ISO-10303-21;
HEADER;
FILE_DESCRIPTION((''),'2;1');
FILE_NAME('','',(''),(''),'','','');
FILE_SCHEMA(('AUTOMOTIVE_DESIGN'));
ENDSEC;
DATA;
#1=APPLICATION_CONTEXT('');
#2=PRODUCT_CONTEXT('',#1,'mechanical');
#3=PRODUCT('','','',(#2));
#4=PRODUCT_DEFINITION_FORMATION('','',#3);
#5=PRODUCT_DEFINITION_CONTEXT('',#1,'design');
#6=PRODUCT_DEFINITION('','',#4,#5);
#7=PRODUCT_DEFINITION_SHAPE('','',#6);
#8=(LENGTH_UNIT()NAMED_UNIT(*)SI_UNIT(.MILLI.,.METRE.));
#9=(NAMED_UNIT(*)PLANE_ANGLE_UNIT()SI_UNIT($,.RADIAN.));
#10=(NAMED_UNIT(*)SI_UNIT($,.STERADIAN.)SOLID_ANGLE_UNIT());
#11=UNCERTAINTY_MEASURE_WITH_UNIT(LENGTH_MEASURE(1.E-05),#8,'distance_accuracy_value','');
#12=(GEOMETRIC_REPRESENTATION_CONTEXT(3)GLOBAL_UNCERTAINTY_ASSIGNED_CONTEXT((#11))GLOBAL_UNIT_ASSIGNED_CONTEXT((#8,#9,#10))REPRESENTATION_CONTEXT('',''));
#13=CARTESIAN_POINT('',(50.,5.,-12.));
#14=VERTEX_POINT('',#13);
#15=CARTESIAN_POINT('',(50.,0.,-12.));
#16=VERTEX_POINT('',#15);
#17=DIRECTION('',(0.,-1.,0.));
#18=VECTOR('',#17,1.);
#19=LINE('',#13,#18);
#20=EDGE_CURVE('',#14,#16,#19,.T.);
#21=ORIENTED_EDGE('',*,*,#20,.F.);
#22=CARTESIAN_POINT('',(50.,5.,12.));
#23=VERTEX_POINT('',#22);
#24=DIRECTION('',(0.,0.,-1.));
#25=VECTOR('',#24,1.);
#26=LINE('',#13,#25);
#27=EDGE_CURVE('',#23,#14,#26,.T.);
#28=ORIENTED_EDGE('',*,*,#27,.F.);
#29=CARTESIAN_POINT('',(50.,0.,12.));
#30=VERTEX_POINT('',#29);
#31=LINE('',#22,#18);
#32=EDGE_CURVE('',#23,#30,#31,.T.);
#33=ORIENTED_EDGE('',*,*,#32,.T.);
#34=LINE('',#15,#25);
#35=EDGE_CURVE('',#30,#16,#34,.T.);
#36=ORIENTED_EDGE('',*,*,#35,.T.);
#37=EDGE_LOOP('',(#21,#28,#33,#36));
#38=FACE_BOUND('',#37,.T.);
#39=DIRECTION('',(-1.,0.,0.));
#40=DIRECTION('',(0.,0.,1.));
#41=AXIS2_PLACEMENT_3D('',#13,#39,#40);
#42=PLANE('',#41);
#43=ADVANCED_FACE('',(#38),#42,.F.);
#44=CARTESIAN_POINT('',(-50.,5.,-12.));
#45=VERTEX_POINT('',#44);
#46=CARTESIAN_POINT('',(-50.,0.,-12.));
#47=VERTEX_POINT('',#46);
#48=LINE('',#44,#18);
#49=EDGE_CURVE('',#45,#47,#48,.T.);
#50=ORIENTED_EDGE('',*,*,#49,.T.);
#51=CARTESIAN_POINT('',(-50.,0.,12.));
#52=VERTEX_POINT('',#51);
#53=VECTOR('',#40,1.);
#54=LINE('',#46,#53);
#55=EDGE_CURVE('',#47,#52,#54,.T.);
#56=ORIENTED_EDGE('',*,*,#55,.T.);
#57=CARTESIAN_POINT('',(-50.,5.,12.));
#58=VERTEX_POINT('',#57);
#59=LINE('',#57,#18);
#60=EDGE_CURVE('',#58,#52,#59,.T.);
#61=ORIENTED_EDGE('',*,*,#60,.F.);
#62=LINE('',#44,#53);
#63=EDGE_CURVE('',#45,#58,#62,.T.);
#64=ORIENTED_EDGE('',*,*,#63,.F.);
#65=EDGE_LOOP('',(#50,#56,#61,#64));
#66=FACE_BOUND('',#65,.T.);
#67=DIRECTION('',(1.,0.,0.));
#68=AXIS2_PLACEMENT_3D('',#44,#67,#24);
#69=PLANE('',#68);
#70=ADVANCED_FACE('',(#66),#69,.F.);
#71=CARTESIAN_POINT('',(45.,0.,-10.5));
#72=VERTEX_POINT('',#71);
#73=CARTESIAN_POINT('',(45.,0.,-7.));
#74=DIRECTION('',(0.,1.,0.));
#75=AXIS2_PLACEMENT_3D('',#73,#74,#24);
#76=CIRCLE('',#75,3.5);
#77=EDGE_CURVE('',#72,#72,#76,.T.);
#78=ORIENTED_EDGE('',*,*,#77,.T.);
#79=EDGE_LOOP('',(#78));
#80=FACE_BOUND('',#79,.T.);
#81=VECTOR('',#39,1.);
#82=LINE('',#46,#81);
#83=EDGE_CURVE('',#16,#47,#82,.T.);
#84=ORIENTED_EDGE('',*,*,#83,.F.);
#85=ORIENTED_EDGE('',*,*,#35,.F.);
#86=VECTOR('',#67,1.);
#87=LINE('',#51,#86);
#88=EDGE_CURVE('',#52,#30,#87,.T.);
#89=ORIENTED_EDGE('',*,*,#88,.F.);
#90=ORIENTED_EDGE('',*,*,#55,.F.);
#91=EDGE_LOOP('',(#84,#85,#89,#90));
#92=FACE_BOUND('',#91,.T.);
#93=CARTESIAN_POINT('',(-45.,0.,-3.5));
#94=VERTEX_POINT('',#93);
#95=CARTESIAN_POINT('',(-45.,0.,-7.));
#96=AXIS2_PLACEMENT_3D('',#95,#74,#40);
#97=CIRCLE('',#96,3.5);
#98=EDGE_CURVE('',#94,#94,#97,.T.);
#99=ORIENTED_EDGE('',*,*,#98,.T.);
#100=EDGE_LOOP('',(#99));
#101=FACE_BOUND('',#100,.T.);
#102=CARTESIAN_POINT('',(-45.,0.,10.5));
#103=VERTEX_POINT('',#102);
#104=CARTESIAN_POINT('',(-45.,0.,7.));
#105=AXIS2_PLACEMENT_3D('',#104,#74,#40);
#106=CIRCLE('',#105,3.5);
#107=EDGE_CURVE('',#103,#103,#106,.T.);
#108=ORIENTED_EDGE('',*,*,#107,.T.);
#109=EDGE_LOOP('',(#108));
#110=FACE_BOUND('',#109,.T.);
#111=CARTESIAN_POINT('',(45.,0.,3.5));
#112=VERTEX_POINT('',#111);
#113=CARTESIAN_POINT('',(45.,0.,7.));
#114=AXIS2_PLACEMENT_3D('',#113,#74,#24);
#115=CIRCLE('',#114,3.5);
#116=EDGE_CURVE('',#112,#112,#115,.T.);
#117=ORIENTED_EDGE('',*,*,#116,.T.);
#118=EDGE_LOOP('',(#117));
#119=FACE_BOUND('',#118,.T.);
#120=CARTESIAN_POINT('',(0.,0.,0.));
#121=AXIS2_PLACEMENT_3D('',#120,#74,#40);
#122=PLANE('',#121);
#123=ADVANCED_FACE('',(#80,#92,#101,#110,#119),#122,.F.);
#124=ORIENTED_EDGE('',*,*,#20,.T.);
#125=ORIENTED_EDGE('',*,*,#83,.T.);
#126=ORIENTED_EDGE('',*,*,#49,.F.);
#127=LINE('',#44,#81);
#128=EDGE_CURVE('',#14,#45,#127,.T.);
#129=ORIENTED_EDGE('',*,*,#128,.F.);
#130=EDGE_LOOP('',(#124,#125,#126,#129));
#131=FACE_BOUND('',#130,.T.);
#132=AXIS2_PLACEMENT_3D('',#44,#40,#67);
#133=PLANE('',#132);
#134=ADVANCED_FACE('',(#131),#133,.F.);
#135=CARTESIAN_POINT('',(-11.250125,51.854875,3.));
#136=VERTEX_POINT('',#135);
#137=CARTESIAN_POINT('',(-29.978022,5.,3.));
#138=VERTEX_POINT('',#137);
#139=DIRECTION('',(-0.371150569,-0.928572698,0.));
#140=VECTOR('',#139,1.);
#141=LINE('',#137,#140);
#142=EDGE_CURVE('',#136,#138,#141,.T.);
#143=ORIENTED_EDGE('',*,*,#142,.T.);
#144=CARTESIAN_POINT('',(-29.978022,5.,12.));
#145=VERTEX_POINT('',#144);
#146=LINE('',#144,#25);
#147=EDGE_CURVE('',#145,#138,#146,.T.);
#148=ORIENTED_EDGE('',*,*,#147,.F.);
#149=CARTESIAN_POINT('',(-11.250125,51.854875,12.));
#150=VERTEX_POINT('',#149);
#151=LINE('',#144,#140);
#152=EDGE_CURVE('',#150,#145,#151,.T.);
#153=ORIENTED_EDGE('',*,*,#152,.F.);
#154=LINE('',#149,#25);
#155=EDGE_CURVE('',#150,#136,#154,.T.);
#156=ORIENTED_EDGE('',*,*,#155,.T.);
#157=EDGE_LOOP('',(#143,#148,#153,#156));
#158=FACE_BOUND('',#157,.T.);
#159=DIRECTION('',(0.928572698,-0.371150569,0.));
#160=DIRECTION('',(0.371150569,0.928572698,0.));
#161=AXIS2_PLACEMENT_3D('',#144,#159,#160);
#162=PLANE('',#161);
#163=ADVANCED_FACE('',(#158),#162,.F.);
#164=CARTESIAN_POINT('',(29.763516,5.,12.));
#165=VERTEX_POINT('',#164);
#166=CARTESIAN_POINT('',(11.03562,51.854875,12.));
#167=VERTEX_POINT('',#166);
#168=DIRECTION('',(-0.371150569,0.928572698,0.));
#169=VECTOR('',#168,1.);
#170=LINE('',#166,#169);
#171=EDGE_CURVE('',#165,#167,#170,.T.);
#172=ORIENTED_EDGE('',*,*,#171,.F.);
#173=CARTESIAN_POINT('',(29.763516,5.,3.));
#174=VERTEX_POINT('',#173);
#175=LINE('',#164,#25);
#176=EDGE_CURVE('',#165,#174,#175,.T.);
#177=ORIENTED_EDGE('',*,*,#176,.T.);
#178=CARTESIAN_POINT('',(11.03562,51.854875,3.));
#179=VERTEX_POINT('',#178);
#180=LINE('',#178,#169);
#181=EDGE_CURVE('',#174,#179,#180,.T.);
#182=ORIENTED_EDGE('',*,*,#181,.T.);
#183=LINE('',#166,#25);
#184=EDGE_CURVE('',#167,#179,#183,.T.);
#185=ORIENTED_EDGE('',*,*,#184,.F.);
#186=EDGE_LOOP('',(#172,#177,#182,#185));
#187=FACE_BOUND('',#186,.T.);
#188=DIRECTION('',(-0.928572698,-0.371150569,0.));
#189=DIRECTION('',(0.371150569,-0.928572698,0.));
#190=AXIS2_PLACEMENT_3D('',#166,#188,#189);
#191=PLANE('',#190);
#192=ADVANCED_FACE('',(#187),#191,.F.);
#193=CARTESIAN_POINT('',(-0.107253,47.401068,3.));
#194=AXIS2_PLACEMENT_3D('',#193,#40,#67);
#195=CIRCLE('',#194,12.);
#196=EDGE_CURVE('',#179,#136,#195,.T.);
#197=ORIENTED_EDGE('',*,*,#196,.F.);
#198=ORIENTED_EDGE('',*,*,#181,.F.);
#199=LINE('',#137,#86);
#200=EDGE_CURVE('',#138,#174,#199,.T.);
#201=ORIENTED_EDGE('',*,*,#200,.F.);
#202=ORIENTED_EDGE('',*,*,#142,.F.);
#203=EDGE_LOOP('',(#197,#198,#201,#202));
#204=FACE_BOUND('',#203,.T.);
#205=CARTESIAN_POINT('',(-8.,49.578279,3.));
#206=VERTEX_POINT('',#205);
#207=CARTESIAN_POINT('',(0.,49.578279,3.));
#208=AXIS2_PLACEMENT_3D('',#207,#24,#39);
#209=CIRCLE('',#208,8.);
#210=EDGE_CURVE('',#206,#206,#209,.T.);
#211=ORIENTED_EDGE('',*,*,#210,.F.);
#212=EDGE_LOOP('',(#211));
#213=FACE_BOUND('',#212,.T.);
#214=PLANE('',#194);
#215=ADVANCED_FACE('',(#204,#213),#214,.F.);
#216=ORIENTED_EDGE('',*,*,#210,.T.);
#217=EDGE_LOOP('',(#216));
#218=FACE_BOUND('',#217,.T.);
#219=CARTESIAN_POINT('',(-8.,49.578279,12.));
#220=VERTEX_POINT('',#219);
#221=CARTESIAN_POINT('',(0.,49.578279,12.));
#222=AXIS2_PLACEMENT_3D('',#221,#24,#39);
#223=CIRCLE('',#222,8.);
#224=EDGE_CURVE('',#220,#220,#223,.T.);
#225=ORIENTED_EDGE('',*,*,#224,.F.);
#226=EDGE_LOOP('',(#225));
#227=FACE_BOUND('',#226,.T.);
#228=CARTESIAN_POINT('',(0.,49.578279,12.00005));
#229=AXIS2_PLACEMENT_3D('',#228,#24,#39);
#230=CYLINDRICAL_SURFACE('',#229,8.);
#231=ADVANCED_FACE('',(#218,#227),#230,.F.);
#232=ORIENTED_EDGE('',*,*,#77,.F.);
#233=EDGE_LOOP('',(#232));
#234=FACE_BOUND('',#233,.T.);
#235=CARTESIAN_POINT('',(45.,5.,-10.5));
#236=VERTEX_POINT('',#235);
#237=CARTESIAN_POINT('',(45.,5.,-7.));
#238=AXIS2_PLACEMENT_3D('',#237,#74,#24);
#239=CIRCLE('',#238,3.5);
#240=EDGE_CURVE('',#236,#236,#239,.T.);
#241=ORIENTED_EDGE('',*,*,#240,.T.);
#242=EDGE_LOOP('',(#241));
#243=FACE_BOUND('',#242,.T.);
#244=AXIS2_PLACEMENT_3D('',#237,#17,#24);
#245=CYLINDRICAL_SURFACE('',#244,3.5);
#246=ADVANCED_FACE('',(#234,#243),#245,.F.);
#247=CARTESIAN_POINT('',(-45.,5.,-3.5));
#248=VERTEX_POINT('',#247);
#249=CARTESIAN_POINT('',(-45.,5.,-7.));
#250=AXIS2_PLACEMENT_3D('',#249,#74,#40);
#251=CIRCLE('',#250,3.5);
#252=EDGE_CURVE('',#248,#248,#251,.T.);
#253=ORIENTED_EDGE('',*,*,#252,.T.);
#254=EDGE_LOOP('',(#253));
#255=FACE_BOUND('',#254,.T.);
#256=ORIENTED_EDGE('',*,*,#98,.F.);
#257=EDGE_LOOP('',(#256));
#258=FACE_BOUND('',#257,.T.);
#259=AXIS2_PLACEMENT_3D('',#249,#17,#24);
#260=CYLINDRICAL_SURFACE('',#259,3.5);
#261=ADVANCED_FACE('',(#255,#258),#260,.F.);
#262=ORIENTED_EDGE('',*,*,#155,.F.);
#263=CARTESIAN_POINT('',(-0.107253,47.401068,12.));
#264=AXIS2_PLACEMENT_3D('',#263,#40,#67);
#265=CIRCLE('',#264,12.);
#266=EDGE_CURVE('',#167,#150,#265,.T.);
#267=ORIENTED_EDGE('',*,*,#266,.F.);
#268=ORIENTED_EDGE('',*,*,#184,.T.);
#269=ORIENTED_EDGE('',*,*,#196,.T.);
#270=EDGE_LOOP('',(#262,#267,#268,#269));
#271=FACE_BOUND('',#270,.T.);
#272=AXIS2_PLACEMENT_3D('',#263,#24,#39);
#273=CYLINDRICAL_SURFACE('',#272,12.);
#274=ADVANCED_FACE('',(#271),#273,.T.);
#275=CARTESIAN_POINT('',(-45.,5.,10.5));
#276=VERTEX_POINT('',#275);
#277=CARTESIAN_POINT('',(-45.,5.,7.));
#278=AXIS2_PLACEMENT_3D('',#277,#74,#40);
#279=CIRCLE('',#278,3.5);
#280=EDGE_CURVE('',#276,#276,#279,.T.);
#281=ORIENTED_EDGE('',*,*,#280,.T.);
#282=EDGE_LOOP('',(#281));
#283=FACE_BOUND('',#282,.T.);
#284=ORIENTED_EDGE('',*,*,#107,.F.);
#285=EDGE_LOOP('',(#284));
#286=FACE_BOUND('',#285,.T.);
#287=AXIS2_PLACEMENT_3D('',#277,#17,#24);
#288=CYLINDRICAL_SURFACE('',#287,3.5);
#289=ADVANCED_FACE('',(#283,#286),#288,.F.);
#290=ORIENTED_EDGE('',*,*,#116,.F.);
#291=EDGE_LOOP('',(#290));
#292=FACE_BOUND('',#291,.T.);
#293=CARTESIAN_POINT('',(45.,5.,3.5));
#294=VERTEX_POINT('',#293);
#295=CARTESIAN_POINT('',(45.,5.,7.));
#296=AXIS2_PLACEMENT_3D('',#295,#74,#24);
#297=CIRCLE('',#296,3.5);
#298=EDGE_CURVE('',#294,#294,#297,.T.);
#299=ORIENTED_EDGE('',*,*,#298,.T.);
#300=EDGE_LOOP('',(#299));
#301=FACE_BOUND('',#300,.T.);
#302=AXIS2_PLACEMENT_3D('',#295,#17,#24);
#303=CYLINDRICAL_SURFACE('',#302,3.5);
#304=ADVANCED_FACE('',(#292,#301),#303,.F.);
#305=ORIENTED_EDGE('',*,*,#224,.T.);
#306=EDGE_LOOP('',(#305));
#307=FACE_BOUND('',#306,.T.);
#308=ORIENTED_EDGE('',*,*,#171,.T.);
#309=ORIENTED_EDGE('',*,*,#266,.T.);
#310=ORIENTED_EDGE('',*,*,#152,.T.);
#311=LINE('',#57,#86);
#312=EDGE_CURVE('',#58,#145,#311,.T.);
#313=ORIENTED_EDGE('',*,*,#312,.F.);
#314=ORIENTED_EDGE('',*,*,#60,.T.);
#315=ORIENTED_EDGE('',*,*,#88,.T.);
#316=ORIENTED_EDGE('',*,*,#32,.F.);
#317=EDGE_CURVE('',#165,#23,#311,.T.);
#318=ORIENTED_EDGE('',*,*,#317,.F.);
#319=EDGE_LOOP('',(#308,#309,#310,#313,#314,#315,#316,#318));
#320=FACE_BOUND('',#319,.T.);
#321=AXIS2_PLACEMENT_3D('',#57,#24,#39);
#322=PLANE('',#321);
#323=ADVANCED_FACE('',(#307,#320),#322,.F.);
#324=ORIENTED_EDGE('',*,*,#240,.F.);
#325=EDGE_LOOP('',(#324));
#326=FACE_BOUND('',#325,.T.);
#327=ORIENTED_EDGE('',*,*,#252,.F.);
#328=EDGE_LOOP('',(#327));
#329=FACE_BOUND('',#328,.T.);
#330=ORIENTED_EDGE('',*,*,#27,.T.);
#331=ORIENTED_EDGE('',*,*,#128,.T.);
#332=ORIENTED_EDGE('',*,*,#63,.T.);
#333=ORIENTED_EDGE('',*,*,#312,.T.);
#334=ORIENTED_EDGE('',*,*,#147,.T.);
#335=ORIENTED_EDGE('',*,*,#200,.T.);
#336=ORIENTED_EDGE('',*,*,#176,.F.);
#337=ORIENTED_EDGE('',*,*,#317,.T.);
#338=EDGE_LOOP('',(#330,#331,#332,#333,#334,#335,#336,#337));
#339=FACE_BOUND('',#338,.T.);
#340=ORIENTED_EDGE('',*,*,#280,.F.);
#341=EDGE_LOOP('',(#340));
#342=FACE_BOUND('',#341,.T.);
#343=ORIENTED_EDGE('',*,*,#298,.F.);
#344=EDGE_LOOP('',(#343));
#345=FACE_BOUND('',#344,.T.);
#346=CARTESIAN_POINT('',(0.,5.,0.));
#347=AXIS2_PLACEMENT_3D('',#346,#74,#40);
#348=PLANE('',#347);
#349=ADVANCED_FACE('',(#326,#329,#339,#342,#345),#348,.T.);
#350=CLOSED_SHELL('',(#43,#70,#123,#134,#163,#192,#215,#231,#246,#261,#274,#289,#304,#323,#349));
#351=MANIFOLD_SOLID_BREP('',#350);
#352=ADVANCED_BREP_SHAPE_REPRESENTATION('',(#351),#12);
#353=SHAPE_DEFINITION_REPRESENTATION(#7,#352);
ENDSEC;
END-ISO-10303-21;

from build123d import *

# Parameters (mm, degrees)
SKETCH1_W           = 100
SKETCH1_H           = 24
SKETCH1_R           = 3.5
BOSS_EXTRUDE1_DEPTH = 5
BOSS_EXTRUDE2_DEPTH = 9
SKETCH3_R           = 8
CUT_EXTRUDE1_DEPTH  = 10


with BuildPart() as part:
    # Sketch1 → Boss-Extrude1 (new body)
    with BuildSketch(Plane(origin=(0, 0, 0), x_dir=(1, 0, 0), z_dir=(0, 1, 0))):
        Rectangle(SKETCH1_W, SKETCH1_H)
        with Locations((-45, 7)):
            Circle(SKETCH1_R, mode=Mode.SUBTRACT)
        with Locations((-45, -7)):
            Circle(SKETCH1_R, mode=Mode.SUBTRACT)
        with Locations((45, 7)):
            Circle(SKETCH1_R, mode=Mode.SUBTRACT)
        with Locations((45, -7)):
            Circle(SKETCH1_R, mode=Mode.SUBTRACT)
    extrude(amount=BOSS_EXTRUDE1_DEPTH)

    # Sketch2 → Boss-Extrude2 (add)
    with BuildSketch(Plane.XY.offset(3)):
        with BuildLine():
            Line((-29.978021695, 5), (29.763516014, 5))
            Line((29.763516014, 5), (11.035619534, 51.854874594))
            ThreePointArc((11.035619534, 51.854874594), (-0.107252841, 59.401067767), (-11.250125215, 51.854874594))
            Line((-11.250125215, 51.854874594), (-29.978021695, 5))
        make_face()
    extrude(amount=BOSS_EXTRUDE2_DEPTH)

    # Sketch3 → Cut-Extrude1 (cut, through all)
    with BuildSketch(Plane(origin=(0, 0, 3), x_dir=(-1, 0, 0), z_dir=(0, 0, -1))):
        with Locations((0, 49.578279074)):
            Circle(SKETCH3_R)
    extrude(amount=-CUT_EXTRUDE1_DEPTH, mode=Mode.SUBTRACT)


solid = part.part
